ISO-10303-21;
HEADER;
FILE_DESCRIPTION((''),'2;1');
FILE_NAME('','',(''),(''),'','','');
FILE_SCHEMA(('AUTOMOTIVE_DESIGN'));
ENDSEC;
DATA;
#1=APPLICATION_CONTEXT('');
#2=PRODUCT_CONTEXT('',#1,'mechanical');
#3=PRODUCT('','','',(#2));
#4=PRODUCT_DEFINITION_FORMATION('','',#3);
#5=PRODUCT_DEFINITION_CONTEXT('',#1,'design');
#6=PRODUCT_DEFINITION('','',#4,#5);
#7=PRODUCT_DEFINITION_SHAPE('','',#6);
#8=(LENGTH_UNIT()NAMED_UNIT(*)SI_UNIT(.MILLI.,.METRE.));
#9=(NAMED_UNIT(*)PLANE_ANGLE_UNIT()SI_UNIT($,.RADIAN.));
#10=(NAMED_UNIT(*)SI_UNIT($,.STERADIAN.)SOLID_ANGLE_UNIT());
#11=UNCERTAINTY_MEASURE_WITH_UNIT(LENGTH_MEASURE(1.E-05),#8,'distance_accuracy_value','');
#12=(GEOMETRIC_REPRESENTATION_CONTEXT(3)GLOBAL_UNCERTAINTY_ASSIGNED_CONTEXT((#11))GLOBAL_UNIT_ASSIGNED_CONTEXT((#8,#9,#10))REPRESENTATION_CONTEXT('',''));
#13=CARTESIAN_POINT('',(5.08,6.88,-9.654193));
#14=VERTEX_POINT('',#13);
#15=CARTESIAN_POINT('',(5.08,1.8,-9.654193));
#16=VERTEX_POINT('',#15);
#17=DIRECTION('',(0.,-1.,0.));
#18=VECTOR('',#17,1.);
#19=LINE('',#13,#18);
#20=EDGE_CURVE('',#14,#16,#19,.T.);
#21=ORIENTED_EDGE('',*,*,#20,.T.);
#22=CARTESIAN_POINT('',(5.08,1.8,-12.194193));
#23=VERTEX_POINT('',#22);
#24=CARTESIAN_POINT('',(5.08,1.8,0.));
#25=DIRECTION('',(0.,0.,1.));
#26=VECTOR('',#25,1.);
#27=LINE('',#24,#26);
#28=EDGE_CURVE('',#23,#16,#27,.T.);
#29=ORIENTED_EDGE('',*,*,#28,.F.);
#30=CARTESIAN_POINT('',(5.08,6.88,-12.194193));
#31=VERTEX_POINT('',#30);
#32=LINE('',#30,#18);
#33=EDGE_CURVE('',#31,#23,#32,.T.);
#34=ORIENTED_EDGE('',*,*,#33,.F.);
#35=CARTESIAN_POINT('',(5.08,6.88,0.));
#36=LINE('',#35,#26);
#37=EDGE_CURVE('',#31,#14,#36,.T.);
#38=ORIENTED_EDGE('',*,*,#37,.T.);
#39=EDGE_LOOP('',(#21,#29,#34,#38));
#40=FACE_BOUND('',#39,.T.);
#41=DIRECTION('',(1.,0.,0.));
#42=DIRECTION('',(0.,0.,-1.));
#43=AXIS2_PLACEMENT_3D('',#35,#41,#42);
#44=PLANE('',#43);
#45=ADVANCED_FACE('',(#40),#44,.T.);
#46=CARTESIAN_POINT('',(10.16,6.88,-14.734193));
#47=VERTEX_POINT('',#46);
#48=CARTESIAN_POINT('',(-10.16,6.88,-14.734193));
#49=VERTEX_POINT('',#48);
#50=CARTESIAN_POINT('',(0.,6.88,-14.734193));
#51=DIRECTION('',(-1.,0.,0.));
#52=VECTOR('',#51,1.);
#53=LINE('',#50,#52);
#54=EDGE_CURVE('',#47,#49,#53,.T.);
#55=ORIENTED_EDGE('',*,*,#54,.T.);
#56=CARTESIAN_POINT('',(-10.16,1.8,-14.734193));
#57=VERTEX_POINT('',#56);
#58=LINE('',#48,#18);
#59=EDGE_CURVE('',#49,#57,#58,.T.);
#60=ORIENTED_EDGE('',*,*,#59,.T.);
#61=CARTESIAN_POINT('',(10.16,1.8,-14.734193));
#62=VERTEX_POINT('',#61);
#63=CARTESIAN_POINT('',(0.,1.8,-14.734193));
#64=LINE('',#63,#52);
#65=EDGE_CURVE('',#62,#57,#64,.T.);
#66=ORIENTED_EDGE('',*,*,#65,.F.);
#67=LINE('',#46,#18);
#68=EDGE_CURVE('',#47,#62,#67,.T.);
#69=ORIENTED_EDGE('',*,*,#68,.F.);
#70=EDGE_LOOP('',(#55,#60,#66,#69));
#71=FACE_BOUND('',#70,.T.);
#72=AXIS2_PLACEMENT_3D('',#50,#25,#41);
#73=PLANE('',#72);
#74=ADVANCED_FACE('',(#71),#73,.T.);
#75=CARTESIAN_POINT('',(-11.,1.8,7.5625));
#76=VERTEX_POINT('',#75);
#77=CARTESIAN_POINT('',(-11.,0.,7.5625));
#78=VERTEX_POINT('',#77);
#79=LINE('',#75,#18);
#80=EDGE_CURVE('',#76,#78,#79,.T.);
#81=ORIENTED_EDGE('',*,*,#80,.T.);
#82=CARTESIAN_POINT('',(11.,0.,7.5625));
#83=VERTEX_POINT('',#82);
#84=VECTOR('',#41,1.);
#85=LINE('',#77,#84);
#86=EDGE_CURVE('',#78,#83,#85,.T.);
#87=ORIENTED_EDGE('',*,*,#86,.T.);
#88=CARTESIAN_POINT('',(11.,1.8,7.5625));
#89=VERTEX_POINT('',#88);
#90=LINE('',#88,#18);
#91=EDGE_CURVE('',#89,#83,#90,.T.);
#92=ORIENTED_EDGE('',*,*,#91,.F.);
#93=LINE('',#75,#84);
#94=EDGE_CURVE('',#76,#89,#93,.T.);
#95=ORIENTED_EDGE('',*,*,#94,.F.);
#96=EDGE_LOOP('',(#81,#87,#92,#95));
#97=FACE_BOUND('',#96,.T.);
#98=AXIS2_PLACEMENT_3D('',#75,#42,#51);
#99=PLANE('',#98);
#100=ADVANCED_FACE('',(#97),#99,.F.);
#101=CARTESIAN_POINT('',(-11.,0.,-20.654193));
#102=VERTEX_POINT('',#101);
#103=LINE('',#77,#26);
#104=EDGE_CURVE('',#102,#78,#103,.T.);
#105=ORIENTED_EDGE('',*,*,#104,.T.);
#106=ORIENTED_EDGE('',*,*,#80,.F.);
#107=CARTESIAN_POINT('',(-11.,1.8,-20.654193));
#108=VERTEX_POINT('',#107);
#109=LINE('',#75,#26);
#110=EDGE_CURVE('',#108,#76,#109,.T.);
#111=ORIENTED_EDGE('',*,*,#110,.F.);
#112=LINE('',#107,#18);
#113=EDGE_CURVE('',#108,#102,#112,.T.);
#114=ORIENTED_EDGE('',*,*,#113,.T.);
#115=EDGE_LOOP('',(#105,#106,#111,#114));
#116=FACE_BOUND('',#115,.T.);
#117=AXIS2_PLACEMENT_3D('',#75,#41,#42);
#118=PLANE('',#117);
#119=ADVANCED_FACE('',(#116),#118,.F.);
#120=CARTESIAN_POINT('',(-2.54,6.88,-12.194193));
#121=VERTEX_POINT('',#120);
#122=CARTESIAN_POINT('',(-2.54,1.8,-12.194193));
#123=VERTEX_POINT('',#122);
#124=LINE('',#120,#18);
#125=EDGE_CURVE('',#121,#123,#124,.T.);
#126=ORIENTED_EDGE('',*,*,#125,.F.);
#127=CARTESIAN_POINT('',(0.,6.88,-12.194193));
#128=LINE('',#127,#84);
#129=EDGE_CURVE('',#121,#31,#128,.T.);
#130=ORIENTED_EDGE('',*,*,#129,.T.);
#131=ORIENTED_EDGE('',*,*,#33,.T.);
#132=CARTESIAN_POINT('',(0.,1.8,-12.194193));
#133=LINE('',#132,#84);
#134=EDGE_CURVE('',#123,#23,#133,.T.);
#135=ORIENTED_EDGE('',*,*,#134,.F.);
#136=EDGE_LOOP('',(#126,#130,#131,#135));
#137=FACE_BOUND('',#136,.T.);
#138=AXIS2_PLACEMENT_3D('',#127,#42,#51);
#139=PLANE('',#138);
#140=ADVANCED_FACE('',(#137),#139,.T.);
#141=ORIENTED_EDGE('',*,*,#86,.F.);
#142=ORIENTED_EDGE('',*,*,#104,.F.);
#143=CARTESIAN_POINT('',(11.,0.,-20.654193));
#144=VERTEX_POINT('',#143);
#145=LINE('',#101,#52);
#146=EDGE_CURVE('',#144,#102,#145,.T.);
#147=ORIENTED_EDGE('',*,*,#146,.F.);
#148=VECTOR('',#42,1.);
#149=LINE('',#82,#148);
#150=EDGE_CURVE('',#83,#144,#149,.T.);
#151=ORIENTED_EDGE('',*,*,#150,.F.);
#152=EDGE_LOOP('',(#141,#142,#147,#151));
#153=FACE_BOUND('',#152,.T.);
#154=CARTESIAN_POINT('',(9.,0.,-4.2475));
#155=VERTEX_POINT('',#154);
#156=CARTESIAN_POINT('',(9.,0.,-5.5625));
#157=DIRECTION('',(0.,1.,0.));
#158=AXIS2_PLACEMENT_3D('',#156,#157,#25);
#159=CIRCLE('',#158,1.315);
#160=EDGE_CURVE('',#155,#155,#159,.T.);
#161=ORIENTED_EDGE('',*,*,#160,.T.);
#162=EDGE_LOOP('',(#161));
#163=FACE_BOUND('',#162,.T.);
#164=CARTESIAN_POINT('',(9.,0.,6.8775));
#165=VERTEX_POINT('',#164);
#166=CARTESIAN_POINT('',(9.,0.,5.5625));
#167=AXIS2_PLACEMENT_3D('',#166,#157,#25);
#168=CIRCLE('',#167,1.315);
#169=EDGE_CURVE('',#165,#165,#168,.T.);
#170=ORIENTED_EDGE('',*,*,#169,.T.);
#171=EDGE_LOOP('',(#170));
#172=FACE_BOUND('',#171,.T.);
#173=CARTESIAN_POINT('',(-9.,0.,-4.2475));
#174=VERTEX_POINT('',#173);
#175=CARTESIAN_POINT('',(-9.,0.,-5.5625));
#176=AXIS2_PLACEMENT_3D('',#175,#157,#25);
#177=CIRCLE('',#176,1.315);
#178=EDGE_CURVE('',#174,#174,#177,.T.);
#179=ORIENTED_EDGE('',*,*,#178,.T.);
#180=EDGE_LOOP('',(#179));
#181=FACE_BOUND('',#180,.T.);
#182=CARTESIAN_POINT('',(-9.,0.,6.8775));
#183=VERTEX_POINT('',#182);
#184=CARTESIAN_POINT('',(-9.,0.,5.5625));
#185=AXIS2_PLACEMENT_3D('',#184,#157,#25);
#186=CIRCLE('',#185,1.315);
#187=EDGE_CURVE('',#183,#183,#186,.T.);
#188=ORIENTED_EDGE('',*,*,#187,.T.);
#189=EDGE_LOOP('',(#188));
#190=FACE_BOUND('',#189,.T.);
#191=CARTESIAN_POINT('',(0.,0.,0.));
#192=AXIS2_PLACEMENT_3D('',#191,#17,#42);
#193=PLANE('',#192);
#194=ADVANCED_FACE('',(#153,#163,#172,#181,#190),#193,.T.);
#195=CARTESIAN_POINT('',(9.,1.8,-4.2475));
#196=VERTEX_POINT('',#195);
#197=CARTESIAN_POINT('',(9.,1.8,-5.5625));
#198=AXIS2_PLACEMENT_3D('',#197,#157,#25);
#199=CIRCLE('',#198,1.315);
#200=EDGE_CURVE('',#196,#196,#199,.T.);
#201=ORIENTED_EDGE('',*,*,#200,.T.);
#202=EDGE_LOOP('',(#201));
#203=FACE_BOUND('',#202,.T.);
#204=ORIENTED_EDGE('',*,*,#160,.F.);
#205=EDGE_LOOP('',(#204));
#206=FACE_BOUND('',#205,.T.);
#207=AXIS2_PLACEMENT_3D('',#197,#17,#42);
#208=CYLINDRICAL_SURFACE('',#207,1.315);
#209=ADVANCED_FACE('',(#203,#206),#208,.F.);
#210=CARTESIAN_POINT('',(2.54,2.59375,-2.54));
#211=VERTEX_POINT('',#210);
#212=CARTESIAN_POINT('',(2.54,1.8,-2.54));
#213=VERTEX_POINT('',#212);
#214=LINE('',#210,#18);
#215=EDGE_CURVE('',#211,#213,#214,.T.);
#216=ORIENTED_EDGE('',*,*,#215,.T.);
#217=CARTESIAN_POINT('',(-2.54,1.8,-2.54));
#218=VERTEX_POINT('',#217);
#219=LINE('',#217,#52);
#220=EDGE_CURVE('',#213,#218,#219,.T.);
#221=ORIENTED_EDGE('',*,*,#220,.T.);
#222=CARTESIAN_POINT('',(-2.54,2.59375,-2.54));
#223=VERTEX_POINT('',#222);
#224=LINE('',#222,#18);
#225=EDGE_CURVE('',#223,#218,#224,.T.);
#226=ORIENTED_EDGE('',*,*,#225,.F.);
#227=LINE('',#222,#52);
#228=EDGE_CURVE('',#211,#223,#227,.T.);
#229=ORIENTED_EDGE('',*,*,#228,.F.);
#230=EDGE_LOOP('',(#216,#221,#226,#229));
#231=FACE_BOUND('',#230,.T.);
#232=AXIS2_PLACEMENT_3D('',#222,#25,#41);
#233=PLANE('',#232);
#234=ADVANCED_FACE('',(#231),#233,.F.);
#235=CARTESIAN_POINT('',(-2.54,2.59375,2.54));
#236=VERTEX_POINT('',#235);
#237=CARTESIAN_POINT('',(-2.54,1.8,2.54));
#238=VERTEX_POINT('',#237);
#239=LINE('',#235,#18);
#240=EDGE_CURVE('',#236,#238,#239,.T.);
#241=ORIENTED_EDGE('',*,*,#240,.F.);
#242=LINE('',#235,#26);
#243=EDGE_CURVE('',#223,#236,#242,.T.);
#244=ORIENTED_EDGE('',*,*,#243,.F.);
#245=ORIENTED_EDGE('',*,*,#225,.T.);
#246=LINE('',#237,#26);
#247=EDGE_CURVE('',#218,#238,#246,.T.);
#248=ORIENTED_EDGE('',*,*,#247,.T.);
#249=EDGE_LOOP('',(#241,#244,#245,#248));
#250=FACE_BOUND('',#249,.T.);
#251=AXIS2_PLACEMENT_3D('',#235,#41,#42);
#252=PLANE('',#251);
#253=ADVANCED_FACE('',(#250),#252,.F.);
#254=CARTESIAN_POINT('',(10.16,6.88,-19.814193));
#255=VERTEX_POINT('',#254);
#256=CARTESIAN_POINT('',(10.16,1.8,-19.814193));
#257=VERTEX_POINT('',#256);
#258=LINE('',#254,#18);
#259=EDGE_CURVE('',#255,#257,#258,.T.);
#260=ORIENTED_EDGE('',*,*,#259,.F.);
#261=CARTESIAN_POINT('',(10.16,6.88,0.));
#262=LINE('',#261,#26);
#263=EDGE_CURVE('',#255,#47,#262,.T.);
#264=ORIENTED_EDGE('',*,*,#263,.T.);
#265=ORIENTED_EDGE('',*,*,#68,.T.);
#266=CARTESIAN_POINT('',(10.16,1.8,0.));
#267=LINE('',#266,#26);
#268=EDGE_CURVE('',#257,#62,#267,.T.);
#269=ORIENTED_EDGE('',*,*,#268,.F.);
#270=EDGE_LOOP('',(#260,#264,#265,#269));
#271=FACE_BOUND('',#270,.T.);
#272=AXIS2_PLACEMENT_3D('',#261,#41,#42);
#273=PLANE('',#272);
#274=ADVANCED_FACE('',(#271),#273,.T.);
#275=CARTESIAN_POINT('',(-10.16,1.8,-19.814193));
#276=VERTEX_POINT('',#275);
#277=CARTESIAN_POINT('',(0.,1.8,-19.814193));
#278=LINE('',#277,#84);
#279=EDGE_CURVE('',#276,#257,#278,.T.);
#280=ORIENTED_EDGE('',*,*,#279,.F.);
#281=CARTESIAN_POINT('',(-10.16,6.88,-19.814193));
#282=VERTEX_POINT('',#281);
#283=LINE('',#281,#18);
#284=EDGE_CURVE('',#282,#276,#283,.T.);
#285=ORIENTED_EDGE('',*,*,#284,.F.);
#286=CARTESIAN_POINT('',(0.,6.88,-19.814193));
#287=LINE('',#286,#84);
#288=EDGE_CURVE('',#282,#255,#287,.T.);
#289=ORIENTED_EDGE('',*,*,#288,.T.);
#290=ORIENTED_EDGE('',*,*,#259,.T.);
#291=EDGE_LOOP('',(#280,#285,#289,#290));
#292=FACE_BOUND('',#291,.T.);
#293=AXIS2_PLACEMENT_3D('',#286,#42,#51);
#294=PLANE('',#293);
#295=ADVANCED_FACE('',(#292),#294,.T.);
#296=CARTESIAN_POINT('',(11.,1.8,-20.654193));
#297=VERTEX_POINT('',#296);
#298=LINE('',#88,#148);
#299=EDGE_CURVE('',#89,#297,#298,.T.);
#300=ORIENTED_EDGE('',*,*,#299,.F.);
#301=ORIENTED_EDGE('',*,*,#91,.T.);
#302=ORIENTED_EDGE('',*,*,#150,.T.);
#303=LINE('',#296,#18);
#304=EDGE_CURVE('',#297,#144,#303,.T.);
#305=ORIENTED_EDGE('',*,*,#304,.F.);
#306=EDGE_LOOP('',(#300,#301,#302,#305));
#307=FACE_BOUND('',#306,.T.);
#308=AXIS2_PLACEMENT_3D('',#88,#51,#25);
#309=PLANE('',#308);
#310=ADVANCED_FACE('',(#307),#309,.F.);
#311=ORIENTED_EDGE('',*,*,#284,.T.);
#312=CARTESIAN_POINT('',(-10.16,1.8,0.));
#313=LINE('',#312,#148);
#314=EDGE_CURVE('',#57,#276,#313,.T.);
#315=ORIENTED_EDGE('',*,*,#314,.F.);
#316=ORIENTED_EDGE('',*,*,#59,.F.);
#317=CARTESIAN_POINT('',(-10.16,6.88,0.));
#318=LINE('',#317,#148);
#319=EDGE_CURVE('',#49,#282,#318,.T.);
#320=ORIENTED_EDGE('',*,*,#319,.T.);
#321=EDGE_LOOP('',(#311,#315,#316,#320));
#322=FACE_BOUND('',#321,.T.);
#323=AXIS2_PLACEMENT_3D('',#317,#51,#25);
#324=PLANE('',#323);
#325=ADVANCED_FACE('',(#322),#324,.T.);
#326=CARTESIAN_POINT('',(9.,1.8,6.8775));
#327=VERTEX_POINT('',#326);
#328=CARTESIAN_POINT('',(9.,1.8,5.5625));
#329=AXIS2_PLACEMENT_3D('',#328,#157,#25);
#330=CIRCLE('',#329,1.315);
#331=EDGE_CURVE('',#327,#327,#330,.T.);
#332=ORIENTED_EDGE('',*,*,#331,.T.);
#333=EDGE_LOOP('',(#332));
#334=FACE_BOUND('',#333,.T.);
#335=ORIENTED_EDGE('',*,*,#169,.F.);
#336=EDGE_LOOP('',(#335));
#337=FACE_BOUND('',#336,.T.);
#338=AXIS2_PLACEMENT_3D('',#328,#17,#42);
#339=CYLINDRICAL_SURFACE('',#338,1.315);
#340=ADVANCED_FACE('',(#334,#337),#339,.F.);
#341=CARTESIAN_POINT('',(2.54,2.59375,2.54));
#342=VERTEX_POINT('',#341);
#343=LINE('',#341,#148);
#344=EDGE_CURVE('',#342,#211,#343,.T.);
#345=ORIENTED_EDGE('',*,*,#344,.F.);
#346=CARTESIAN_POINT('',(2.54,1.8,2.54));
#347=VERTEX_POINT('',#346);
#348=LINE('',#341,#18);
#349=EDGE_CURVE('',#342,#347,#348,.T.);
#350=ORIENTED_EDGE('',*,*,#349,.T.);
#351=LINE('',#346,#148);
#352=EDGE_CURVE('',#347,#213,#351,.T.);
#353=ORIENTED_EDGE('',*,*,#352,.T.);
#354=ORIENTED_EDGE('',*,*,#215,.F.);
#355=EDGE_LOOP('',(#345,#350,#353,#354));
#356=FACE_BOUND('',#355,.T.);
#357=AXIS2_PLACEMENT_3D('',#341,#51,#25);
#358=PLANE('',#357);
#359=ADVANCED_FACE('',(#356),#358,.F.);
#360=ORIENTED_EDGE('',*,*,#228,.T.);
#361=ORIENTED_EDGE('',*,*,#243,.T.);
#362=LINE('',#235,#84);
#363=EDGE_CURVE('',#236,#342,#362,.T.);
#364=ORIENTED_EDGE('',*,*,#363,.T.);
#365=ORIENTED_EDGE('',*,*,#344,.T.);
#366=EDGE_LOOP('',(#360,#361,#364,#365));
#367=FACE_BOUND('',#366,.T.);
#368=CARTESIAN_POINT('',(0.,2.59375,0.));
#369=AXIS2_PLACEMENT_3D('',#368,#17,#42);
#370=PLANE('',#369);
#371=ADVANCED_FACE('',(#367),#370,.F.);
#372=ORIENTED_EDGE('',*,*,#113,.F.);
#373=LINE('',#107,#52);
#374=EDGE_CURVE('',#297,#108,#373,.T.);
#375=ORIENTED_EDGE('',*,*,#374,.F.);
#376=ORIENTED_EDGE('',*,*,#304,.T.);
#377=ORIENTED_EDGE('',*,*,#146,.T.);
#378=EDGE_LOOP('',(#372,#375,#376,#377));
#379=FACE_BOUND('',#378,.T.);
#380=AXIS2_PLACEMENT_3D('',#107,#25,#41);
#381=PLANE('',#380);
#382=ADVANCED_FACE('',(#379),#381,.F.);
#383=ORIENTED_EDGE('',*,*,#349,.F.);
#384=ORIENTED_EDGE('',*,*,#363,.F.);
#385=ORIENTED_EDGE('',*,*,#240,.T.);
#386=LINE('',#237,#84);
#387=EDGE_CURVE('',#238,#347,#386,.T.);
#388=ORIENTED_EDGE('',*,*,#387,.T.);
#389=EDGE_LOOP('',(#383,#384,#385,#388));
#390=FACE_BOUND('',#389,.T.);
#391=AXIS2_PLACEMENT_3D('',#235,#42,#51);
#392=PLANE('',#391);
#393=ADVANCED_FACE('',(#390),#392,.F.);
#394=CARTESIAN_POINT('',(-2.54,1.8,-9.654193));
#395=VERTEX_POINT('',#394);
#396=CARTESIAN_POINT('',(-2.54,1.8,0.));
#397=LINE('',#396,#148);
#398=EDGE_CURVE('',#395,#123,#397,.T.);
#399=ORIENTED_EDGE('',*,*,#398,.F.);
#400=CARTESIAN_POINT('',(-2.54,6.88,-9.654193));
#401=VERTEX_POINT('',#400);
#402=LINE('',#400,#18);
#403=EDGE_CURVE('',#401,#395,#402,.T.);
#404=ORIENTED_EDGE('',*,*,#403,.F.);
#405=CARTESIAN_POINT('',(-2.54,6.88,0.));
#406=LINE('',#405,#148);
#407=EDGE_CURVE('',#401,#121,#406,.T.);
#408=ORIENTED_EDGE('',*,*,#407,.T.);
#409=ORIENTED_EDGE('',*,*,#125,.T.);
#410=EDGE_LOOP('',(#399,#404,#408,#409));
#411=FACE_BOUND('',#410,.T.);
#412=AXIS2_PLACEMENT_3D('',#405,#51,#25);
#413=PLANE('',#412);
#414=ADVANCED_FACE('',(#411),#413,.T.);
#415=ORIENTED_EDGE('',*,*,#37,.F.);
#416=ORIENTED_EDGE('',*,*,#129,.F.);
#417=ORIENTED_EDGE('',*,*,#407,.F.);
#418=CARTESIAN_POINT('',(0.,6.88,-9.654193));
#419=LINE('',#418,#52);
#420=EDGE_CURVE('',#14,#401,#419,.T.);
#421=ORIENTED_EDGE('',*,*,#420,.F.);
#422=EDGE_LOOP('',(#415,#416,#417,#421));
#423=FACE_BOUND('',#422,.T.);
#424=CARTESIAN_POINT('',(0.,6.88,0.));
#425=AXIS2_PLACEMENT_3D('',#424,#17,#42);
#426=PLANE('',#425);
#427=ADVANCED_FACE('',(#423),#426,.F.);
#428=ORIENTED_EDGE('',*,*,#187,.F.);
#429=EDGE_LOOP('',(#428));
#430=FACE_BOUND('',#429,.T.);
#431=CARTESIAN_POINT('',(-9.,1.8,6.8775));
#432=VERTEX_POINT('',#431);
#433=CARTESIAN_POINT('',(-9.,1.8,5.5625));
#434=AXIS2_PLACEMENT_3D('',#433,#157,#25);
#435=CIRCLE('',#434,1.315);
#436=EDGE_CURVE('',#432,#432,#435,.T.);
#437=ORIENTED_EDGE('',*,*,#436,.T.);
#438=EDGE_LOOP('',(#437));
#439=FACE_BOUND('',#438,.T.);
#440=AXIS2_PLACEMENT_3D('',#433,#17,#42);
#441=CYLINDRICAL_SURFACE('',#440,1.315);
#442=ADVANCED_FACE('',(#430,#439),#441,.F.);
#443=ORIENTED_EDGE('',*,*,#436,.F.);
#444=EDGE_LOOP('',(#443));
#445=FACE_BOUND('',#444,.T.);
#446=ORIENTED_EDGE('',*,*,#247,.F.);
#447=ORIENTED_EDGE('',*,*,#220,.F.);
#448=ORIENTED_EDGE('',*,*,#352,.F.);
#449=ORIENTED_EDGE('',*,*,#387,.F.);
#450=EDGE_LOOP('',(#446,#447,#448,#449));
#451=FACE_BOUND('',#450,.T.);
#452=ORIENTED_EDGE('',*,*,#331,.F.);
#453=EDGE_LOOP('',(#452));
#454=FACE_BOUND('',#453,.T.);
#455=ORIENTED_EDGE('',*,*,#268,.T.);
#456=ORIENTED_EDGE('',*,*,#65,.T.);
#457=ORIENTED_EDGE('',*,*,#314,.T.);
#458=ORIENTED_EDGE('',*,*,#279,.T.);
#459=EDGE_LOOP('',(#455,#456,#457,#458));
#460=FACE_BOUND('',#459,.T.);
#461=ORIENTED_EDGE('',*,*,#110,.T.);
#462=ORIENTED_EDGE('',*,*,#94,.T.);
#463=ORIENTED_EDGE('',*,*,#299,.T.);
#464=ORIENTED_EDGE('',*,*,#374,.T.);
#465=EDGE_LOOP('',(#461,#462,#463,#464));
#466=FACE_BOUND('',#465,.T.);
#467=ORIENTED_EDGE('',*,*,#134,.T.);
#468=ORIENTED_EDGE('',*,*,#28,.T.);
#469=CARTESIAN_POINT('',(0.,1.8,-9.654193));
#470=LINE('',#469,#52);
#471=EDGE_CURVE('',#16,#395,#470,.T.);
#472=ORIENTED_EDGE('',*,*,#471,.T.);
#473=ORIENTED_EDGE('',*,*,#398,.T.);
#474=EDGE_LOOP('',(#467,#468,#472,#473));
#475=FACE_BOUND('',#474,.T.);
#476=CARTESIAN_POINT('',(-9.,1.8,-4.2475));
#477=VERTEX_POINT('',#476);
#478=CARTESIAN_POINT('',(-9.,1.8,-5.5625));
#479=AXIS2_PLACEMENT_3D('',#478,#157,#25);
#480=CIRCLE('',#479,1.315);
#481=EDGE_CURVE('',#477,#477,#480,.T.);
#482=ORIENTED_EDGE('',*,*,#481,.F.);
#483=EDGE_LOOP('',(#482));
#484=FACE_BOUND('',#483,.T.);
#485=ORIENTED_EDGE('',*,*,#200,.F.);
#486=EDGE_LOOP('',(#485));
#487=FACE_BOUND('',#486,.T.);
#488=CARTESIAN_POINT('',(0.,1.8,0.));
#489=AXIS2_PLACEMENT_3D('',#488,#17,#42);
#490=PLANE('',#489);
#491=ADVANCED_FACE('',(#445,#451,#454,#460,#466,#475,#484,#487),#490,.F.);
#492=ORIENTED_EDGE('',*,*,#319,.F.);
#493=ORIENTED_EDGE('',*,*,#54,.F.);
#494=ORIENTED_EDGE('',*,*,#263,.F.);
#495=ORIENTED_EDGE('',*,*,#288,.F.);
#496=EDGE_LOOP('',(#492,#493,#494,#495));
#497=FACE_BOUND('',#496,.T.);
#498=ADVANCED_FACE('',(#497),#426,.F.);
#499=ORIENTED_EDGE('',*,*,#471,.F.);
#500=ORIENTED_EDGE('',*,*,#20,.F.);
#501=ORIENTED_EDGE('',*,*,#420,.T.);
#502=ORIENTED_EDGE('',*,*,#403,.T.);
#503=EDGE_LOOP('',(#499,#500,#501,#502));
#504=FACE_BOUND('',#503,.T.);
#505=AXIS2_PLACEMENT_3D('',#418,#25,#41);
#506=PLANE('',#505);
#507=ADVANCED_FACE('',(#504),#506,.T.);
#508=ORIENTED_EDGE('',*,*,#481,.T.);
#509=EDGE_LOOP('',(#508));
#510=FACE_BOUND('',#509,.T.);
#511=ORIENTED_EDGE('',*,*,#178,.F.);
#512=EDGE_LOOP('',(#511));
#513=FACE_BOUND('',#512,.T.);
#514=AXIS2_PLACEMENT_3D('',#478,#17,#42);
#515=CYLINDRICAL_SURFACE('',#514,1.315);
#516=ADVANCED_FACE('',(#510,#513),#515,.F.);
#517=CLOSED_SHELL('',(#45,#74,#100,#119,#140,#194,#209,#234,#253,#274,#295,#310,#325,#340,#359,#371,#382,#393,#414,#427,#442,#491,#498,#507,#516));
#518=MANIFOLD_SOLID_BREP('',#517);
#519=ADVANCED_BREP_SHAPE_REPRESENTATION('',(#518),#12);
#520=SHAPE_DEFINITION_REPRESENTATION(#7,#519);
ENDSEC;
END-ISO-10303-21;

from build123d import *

# Parameters (mm, degrees)
SKETCH1_W           = 22
SKETCH1_H           = 28.216692514
SKETCH1_R           = 1.315
BOSS_EXTRUDE1_DEPTH = 1.8
SKETCH2_W           = 5.08
SKETCH2_H           = 5.08
BOSS_EXTRUDE2_DEPTH = 0.79375
BOSS_EXTRUDE3_START = -1.8
SKETCH3_W           = 7.62
SKETCH3_H           = 2.54
SKETCH3_W_2         = 20.32
SKETCH3_H_2         = 5.08
BOSS_EXTRUDE3_DEPTH = 5.08


with BuildPart() as part:
    # Sketch1 → Boss-Extrude1 (new body)
    with BuildSketch(Plane(origin=(0, 0, 0), x_dir=(1, 0, 0), z_dir=(0, 1, 0))):
        with Locations((0, 6.545846257)):
            Rectangle(SKETCH1_W, SKETCH1_H)
        with Locations((-9, 5.5625)):
            Circle(SKETCH1_R, mode=Mode.SUBTRACT)
        with Locations((9, 5.5625)):
            Circle(SKETCH1_R, mode=Mode.SUBTRACT)
        with Locations((9, -5.5625)):
            Circle(SKETCH1_R, mode=Mode.SUBTRACT)
        with Locations((-9, -5.5625)):
            Circle(SKETCH1_R, mode=Mode.SUBTRACT)
    extrude(amount=BOSS_EXTRUDE1_DEPTH)

    # Sketch2 → Boss-Extrude2 (add)
    with BuildSketch(Plane(origin=(0, 1.8, 0), x_dir=(1, 0, 0), z_dir=(0, 1, 0))):
        Rectangle(SKETCH2_W, SKETCH2_H)
    extrude(amount=BOSS_EXTRUDE2_DEPTH)

    # Sketch3 → Boss-Extrude3 (add)
    with BuildSketch(Plane(origin=(0, 0, 0), x_dir=(-1, 0, 0), z_dir=(0, -1, 0)).offset(BOSS_EXTRUDE3_START)):
        with Locations((-1.27, 10.924192514)):
            Rectangle(SKETCH3_W, SKETCH3_H)
        with Locations((0, 17.274192514)):
            Rectangle(SKETCH3_W_2, SKETCH3_H_2)
    extrude(amount=-BOSS_EXTRUDE3_DEPTH)


solid = part.part
